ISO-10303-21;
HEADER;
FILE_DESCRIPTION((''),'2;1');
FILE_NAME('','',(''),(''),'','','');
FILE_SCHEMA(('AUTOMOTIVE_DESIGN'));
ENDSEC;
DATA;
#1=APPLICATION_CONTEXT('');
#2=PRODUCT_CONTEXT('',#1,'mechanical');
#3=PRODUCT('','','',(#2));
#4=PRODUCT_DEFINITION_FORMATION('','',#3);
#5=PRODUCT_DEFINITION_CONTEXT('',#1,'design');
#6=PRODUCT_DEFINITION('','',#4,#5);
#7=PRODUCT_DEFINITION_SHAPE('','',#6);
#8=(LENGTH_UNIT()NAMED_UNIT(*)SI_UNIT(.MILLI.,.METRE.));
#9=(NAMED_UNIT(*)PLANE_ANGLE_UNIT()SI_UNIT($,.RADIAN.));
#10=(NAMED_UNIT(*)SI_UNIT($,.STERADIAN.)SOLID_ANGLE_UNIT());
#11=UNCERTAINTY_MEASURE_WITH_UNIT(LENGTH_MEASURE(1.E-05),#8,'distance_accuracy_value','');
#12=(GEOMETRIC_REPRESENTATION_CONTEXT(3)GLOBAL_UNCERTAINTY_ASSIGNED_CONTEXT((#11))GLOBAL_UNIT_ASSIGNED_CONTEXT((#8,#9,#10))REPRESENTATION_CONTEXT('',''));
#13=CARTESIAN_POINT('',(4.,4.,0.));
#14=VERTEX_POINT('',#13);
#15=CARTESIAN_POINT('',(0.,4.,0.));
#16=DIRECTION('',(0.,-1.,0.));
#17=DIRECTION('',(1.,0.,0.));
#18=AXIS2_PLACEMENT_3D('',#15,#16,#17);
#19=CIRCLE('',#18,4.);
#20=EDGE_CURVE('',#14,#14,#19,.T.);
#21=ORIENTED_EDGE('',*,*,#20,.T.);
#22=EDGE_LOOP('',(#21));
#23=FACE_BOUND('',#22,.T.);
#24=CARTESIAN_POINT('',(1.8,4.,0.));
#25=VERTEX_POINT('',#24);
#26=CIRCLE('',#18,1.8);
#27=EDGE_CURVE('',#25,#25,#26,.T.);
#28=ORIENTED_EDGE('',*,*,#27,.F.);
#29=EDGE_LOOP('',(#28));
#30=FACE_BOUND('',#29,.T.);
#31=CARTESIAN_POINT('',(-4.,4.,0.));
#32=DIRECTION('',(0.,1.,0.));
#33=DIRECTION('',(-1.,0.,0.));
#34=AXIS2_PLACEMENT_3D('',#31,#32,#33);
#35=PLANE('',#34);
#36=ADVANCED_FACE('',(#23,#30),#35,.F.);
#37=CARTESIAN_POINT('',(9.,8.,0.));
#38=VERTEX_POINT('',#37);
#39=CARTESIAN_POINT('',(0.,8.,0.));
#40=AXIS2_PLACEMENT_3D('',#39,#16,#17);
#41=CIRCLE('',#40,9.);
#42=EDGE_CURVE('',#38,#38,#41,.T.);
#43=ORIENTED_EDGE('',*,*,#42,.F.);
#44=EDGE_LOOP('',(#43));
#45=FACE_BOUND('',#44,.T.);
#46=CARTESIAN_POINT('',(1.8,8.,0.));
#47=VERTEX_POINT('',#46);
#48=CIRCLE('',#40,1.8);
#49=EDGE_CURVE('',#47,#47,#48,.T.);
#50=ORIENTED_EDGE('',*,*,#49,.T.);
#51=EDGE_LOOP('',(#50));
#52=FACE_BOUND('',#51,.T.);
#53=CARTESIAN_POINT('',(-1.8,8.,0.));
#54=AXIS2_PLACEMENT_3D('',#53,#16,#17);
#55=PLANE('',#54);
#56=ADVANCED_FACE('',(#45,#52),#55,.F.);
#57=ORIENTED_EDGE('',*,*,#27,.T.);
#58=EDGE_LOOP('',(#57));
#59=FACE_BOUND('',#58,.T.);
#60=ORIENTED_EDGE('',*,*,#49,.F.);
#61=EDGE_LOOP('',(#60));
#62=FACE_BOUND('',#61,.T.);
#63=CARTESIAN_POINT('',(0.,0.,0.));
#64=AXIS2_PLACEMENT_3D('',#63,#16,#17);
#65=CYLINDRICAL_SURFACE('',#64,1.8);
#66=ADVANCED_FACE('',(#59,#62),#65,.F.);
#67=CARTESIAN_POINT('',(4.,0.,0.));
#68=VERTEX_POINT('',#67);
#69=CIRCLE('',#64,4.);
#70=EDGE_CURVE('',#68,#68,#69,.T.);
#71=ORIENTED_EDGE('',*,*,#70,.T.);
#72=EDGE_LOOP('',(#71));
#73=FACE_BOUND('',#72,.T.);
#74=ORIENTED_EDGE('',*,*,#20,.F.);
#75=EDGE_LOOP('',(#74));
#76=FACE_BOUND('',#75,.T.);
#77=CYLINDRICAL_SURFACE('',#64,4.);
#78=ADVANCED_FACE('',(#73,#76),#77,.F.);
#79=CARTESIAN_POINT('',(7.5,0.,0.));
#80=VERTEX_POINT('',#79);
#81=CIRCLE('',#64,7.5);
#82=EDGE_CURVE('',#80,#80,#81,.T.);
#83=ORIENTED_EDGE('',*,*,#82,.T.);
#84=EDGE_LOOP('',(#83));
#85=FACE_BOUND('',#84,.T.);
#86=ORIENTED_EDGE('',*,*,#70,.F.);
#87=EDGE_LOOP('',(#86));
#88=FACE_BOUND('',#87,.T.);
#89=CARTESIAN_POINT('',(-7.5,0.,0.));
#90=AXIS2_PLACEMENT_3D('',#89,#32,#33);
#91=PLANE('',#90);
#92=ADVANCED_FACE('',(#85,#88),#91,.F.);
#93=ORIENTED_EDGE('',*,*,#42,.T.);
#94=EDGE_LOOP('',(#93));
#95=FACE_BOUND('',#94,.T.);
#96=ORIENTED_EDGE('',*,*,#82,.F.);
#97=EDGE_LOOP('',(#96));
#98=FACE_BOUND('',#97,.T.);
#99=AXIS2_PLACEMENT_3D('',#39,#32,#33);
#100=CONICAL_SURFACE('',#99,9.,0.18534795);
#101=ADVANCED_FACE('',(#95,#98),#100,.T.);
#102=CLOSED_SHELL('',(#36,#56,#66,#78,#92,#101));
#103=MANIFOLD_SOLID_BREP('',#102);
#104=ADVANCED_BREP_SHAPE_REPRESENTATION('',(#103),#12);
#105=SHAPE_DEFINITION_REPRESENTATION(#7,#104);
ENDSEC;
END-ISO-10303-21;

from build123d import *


with BuildPart() as part:
    # Sketch1 → Revolve1 (revolve)
    with BuildSketch(Plane.XY, mode=Mode.PRIVATE) as revolve1_sk:
        Polygon((-4, 0), (-4, 4), (-1.8, 4), (-1.8, 8), (-9, 8), (-7.5, 0), align=None)
    revolve(revolve1_sk.sketch.rotate(Axis((0, 0, 0), (0, 1, 0)), 180), axis=Axis((0, 0, 0), (0, 1, 0)))


solid = part.part
